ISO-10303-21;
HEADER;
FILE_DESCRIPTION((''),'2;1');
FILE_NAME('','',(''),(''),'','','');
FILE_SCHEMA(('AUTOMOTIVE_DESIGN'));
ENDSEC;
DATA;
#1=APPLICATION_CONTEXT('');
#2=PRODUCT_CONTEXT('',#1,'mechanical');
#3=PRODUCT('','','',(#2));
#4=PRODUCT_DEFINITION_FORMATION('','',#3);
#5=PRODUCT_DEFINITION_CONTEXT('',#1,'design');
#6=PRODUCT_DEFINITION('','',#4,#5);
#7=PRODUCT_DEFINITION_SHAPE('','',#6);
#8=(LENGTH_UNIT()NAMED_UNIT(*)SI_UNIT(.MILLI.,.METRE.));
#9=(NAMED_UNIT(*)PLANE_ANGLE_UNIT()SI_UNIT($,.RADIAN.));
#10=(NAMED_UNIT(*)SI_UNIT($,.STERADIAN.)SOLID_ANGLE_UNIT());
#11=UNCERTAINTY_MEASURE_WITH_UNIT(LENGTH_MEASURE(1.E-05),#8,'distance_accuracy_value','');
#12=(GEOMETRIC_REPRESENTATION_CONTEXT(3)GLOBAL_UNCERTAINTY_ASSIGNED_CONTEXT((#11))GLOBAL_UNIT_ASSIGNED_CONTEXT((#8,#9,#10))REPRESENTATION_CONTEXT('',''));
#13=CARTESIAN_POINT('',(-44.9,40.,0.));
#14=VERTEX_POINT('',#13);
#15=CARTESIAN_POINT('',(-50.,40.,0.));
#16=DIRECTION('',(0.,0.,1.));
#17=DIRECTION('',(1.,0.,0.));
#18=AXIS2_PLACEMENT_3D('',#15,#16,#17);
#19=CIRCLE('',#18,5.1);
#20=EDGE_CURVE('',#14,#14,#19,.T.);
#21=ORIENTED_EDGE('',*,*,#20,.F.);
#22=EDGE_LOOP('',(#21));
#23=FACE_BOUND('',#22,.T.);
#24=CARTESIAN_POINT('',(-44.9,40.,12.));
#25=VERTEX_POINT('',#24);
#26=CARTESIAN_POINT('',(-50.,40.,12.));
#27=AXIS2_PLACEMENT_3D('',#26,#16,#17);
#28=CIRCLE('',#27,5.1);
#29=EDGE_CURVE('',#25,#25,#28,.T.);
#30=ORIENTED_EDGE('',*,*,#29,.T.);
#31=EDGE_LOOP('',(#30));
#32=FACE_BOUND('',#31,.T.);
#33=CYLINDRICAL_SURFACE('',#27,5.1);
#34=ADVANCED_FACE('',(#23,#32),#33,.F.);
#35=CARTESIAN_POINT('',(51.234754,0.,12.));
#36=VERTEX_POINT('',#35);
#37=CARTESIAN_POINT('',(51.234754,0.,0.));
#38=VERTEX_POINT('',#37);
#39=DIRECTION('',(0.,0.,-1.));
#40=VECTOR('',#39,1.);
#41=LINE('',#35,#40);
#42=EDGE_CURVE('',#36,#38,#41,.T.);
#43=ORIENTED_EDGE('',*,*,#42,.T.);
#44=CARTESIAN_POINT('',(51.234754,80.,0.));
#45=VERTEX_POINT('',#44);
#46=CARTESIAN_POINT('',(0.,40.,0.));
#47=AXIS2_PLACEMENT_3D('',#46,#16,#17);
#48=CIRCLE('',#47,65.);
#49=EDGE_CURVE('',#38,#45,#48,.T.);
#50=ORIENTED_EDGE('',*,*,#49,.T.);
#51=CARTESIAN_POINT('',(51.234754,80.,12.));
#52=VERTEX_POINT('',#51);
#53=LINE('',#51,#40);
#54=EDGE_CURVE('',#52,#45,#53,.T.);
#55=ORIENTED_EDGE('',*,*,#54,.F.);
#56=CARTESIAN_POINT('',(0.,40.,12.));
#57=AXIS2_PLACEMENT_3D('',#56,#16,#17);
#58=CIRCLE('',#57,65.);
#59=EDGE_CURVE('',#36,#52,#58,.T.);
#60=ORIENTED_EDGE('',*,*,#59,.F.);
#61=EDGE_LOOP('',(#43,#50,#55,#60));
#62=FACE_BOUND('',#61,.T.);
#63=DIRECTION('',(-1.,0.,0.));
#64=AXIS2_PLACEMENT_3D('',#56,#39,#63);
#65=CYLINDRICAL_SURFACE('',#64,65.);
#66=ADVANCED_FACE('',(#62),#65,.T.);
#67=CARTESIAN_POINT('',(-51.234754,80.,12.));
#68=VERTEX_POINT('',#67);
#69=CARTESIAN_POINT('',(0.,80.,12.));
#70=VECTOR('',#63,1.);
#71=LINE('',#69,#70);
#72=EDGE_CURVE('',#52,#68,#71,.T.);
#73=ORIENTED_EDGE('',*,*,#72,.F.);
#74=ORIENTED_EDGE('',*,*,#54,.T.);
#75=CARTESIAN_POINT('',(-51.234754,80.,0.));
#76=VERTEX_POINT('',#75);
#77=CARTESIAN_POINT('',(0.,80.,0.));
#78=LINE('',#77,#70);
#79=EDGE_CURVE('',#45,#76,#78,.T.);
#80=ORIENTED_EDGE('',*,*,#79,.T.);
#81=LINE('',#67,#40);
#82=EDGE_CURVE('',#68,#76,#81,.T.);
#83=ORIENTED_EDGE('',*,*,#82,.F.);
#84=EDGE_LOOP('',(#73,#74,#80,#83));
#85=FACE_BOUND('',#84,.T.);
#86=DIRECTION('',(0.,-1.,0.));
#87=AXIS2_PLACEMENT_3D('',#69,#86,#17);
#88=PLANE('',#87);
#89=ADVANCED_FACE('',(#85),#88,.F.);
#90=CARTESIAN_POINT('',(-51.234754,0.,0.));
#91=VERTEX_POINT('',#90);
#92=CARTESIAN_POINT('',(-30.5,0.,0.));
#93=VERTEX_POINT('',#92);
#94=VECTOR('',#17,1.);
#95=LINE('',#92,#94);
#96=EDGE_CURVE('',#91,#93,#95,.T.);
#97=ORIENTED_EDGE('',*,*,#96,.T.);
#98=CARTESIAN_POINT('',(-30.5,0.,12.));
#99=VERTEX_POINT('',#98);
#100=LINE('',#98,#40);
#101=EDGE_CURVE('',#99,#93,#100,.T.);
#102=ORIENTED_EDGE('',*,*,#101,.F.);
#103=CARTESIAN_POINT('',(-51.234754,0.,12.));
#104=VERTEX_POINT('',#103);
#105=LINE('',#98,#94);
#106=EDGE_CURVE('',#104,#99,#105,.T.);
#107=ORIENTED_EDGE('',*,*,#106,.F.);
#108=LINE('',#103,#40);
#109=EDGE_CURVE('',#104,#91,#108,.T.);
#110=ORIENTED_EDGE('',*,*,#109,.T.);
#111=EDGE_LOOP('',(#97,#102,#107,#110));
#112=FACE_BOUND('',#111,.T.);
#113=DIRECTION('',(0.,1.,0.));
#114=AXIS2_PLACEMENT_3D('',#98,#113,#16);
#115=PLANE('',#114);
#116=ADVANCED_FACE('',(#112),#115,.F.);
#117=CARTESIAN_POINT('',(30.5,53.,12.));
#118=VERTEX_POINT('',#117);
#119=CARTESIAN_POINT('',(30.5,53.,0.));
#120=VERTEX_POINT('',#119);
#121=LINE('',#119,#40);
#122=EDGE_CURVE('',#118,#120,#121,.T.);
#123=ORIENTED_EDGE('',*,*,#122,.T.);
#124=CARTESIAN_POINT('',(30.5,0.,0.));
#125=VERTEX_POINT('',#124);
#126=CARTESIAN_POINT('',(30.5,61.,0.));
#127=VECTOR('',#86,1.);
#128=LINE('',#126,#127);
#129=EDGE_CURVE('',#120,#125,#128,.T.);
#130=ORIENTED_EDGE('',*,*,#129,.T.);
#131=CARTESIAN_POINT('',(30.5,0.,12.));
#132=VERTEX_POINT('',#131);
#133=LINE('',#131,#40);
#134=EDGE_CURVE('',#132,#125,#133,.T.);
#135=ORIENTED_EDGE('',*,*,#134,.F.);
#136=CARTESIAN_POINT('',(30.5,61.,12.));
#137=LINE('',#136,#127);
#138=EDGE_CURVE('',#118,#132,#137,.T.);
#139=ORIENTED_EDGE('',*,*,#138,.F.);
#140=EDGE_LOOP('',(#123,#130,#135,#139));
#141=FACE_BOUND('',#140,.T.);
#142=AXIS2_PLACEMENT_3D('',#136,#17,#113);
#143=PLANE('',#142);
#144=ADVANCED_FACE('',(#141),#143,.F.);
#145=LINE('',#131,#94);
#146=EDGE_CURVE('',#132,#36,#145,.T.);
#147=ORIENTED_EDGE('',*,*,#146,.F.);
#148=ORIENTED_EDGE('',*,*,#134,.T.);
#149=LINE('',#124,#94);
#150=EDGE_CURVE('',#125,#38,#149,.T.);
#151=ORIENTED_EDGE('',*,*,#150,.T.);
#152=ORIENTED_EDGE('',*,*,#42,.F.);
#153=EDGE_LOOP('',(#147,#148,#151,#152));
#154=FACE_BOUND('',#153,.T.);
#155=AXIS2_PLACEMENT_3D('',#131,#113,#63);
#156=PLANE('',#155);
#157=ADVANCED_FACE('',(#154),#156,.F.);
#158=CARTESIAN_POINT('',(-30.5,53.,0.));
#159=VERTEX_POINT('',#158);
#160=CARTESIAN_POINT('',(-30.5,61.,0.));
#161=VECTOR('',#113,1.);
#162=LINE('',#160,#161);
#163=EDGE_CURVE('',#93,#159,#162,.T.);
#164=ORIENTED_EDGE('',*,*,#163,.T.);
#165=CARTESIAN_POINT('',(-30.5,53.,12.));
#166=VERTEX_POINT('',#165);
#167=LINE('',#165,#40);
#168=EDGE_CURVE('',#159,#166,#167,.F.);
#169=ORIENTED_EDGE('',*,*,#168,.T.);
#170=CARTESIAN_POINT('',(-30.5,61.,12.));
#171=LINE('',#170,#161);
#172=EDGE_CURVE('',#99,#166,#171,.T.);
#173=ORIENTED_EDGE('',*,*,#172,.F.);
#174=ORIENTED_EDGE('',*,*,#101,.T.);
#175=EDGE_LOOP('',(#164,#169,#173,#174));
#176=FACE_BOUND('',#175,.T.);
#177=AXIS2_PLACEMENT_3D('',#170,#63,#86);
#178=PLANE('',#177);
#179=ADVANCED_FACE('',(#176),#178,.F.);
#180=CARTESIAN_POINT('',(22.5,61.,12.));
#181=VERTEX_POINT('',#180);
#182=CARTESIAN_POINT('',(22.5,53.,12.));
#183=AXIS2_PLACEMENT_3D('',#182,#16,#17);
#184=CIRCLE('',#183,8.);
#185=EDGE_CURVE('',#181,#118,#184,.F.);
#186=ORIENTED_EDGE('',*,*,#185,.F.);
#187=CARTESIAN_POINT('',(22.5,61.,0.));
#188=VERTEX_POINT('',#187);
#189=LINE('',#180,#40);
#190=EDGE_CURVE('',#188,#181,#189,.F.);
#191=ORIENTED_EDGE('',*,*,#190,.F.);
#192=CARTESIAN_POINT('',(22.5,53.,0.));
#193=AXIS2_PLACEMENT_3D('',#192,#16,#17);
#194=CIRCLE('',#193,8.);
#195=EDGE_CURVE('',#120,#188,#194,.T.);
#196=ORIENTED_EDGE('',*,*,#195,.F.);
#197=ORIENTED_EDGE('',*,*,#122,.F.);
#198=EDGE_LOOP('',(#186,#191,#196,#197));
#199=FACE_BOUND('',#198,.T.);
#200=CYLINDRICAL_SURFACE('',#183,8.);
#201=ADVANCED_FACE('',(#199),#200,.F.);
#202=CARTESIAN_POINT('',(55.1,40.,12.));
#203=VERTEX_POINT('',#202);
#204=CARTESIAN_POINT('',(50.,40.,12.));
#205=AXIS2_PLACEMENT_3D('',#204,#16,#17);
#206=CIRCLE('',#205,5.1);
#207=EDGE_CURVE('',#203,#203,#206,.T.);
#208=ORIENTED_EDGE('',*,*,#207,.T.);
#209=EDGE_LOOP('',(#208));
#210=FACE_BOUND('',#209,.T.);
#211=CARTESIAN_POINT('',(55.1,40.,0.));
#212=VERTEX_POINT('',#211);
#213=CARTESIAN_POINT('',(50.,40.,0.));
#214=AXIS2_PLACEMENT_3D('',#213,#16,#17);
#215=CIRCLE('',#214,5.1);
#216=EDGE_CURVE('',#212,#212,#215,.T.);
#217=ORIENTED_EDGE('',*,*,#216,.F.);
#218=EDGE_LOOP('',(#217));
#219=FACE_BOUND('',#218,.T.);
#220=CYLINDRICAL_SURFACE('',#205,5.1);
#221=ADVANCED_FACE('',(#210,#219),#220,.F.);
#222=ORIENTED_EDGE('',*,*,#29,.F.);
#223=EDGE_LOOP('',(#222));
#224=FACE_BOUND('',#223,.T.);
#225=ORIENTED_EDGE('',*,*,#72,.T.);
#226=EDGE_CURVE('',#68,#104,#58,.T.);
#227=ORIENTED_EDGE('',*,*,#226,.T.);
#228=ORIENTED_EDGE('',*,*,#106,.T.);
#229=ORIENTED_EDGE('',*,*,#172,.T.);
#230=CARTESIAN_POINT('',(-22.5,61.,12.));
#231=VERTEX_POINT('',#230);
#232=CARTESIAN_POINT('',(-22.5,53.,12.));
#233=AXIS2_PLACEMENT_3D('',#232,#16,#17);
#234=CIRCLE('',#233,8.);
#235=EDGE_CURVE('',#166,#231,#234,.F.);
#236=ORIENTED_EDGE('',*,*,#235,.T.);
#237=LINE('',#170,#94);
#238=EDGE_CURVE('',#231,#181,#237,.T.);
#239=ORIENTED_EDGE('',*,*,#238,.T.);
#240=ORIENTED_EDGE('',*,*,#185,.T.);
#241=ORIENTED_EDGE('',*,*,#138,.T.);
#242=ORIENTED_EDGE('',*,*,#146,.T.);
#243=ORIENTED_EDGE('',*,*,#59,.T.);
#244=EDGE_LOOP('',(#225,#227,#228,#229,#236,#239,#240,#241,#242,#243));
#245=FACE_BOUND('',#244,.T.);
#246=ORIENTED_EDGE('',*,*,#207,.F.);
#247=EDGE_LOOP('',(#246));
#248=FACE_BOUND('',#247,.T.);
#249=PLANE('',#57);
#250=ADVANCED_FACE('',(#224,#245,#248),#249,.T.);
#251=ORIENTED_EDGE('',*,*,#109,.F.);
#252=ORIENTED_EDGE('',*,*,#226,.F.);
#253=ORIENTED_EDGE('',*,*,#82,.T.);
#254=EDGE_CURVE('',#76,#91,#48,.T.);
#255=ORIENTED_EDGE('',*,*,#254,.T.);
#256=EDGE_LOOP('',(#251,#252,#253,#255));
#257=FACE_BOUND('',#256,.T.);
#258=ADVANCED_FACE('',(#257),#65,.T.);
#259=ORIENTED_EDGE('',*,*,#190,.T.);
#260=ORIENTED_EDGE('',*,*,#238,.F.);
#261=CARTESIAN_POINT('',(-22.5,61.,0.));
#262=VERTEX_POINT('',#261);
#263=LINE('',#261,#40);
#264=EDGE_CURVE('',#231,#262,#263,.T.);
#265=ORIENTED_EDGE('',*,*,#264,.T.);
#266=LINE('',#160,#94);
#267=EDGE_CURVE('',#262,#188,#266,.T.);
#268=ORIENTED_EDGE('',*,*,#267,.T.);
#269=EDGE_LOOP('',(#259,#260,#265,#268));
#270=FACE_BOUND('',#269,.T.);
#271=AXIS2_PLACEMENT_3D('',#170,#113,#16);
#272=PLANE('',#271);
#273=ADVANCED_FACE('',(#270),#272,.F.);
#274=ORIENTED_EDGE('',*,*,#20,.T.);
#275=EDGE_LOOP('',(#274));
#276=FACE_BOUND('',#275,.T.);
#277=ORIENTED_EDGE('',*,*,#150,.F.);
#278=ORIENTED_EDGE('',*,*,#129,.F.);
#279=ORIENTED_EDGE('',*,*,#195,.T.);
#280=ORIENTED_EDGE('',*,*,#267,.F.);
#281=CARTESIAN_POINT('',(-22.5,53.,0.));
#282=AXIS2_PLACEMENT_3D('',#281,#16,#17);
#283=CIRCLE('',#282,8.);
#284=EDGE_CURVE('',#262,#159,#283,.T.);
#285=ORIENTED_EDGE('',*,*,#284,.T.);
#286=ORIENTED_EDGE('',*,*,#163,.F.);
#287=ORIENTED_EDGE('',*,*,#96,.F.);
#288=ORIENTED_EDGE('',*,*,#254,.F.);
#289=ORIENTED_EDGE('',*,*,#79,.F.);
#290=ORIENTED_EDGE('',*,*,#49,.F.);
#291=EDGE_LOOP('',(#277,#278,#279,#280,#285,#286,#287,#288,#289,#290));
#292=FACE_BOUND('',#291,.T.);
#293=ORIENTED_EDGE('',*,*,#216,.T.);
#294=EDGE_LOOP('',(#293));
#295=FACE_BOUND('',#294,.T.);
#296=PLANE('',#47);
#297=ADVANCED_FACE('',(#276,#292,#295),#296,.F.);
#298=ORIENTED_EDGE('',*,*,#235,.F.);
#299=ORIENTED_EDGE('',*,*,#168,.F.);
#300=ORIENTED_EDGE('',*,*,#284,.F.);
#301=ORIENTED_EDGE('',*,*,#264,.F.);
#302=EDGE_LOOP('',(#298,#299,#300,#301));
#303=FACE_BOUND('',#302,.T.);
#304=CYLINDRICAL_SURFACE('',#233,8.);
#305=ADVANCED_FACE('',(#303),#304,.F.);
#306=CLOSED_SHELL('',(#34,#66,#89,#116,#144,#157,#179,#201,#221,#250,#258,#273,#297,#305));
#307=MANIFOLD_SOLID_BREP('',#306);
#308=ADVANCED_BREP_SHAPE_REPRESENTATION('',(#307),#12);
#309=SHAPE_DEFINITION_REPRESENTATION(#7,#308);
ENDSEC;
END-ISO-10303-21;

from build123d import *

# Parameters (mm, degrees)
EXTRUDE_1_DEPTH         = 12
HOLE_WIZARD_M12_2_D     = 10.2
HOLE_WIZARD_M12_2_DEPTH = 32.75
HOLE_WIZARD_M12_2_TIP   = 3.064389157
FILLET_2_R              = 8


with BuildPart() as part:
    # 草图1 → 凸台-拉伸1 (new body)
    with BuildSketch(Plane.XY):
        with BuildLine():
            Line((-30.5, 61), (30.5, 61))
            Line((30.5, 61), (30.5, 0))
            Line((30.5, 0), (51.23475383, 0))
            ThreePointArc((51.23475383, 0), (65, 40), (51.23475383, 80))
            Line((51.23475383, 80), (0, 80))
            Line((0, 80), (-51.23475383, 80))
            ThreePointArc((-51.23475383, 80), (-65, 40), (-51.23475383, 0))
            Line((-51.23475383, 0), (-30.5, 0))
            Line((-30.5, 0), (-30.5, 61))
        make_face()
    extrude(amount=EXTRUDE_1_DEPTH)

    # M12 螺纹孔2
    with Locations(Plane.XY.offset(12)):
        with Locations((-50, 40), (50, 40)):
            Hole(HOLE_WIZARD_M12_2_D / 2, depth=HOLE_WIZARD_M12_2_DEPTH)
            with Locations((0, 0, -(HOLE_WIZARD_M12_2_DEPTH + HOLE_WIZARD_M12_2_TIP / 2))):  # 118° drill point
                Cone(0, HOLE_WIZARD_M12_2_D / 2, HOLE_WIZARD_M12_2_TIP, mode=Mode.SUBTRACT)

    # 圆角2
    fillet_2_edges = [part.edges().sort_by_distance(p)[0] for p in [
        (30.5, 61, 6),
        (-30.5, 61, 6),
    ]]
    fillet(fillet_2_edges, radius=FILLET_2_R)


solid = part.part
